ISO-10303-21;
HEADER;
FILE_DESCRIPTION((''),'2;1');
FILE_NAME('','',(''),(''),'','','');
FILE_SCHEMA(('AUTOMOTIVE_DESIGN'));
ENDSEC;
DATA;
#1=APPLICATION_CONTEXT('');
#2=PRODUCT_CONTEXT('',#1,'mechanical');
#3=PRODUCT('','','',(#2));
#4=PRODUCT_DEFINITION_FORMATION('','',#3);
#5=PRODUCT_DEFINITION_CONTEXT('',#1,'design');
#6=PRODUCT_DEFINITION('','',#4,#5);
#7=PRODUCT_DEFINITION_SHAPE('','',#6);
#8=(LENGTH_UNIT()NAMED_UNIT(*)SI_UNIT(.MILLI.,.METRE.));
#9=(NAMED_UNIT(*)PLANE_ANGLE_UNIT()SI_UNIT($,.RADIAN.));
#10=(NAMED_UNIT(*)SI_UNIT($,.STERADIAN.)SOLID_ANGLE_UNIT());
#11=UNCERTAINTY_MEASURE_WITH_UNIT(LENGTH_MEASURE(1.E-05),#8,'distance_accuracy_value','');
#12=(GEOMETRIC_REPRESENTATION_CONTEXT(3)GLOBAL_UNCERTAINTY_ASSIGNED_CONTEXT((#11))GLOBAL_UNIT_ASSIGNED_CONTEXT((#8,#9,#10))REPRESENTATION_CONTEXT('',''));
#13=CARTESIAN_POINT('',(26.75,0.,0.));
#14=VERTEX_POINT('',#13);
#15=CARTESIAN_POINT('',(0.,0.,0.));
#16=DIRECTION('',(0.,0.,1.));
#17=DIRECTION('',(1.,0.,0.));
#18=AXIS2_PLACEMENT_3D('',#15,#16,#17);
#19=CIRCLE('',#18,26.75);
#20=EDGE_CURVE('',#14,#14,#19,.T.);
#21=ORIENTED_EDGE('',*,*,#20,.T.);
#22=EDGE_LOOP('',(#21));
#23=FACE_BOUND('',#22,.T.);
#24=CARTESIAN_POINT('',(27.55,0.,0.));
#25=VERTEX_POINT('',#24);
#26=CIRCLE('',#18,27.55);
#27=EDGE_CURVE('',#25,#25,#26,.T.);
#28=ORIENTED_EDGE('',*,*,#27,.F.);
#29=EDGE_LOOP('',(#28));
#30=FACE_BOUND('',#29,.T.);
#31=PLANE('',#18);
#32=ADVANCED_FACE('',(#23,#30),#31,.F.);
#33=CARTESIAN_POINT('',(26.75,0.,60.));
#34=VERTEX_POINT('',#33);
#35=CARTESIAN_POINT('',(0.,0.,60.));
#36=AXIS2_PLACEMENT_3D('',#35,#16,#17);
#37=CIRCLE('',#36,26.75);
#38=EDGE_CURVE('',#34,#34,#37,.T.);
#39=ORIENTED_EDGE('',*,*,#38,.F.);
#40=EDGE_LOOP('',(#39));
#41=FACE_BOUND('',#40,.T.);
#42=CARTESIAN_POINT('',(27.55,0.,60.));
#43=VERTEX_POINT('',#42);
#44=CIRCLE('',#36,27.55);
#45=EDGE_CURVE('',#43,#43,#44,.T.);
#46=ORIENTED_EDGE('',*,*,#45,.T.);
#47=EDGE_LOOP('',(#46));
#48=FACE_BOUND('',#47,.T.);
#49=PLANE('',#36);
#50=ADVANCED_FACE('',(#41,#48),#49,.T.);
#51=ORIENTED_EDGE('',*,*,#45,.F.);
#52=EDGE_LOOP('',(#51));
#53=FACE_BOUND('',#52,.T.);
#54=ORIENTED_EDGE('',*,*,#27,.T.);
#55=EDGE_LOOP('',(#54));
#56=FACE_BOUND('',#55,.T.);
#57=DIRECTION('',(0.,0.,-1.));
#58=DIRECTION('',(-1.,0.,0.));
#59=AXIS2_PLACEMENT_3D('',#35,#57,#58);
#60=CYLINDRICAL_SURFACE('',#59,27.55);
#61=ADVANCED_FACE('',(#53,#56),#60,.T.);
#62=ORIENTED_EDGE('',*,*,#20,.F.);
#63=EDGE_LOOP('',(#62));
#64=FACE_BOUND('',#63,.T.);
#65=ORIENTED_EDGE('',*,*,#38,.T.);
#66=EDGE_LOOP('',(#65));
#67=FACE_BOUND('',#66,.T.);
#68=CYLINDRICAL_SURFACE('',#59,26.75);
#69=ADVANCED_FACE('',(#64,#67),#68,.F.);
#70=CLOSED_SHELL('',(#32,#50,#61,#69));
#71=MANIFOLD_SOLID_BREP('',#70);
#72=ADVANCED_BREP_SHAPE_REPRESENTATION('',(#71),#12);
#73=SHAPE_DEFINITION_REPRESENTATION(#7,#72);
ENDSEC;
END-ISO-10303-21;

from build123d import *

# Parameters (mm, degrees)
SKIZZE1_R                       = 27.55
SKIZZE1_R_2                     = 26.75
AUFSATZ_LINEAR_AUSTRAGEN1_DEPTH = 60


with BuildPart() as part:
    # Skizze1 → Aufsatz-Linear austragen1 (new body)
    with BuildSketch(Plane.XY):
        Circle(SKIZZE1_R)
        Circle(SKIZZE1_R_2, mode=Mode.SUBTRACT)
    extrude(amount=AUFSATZ_LINEAR_AUSTRAGEN1_DEPTH)


solid = part.part
